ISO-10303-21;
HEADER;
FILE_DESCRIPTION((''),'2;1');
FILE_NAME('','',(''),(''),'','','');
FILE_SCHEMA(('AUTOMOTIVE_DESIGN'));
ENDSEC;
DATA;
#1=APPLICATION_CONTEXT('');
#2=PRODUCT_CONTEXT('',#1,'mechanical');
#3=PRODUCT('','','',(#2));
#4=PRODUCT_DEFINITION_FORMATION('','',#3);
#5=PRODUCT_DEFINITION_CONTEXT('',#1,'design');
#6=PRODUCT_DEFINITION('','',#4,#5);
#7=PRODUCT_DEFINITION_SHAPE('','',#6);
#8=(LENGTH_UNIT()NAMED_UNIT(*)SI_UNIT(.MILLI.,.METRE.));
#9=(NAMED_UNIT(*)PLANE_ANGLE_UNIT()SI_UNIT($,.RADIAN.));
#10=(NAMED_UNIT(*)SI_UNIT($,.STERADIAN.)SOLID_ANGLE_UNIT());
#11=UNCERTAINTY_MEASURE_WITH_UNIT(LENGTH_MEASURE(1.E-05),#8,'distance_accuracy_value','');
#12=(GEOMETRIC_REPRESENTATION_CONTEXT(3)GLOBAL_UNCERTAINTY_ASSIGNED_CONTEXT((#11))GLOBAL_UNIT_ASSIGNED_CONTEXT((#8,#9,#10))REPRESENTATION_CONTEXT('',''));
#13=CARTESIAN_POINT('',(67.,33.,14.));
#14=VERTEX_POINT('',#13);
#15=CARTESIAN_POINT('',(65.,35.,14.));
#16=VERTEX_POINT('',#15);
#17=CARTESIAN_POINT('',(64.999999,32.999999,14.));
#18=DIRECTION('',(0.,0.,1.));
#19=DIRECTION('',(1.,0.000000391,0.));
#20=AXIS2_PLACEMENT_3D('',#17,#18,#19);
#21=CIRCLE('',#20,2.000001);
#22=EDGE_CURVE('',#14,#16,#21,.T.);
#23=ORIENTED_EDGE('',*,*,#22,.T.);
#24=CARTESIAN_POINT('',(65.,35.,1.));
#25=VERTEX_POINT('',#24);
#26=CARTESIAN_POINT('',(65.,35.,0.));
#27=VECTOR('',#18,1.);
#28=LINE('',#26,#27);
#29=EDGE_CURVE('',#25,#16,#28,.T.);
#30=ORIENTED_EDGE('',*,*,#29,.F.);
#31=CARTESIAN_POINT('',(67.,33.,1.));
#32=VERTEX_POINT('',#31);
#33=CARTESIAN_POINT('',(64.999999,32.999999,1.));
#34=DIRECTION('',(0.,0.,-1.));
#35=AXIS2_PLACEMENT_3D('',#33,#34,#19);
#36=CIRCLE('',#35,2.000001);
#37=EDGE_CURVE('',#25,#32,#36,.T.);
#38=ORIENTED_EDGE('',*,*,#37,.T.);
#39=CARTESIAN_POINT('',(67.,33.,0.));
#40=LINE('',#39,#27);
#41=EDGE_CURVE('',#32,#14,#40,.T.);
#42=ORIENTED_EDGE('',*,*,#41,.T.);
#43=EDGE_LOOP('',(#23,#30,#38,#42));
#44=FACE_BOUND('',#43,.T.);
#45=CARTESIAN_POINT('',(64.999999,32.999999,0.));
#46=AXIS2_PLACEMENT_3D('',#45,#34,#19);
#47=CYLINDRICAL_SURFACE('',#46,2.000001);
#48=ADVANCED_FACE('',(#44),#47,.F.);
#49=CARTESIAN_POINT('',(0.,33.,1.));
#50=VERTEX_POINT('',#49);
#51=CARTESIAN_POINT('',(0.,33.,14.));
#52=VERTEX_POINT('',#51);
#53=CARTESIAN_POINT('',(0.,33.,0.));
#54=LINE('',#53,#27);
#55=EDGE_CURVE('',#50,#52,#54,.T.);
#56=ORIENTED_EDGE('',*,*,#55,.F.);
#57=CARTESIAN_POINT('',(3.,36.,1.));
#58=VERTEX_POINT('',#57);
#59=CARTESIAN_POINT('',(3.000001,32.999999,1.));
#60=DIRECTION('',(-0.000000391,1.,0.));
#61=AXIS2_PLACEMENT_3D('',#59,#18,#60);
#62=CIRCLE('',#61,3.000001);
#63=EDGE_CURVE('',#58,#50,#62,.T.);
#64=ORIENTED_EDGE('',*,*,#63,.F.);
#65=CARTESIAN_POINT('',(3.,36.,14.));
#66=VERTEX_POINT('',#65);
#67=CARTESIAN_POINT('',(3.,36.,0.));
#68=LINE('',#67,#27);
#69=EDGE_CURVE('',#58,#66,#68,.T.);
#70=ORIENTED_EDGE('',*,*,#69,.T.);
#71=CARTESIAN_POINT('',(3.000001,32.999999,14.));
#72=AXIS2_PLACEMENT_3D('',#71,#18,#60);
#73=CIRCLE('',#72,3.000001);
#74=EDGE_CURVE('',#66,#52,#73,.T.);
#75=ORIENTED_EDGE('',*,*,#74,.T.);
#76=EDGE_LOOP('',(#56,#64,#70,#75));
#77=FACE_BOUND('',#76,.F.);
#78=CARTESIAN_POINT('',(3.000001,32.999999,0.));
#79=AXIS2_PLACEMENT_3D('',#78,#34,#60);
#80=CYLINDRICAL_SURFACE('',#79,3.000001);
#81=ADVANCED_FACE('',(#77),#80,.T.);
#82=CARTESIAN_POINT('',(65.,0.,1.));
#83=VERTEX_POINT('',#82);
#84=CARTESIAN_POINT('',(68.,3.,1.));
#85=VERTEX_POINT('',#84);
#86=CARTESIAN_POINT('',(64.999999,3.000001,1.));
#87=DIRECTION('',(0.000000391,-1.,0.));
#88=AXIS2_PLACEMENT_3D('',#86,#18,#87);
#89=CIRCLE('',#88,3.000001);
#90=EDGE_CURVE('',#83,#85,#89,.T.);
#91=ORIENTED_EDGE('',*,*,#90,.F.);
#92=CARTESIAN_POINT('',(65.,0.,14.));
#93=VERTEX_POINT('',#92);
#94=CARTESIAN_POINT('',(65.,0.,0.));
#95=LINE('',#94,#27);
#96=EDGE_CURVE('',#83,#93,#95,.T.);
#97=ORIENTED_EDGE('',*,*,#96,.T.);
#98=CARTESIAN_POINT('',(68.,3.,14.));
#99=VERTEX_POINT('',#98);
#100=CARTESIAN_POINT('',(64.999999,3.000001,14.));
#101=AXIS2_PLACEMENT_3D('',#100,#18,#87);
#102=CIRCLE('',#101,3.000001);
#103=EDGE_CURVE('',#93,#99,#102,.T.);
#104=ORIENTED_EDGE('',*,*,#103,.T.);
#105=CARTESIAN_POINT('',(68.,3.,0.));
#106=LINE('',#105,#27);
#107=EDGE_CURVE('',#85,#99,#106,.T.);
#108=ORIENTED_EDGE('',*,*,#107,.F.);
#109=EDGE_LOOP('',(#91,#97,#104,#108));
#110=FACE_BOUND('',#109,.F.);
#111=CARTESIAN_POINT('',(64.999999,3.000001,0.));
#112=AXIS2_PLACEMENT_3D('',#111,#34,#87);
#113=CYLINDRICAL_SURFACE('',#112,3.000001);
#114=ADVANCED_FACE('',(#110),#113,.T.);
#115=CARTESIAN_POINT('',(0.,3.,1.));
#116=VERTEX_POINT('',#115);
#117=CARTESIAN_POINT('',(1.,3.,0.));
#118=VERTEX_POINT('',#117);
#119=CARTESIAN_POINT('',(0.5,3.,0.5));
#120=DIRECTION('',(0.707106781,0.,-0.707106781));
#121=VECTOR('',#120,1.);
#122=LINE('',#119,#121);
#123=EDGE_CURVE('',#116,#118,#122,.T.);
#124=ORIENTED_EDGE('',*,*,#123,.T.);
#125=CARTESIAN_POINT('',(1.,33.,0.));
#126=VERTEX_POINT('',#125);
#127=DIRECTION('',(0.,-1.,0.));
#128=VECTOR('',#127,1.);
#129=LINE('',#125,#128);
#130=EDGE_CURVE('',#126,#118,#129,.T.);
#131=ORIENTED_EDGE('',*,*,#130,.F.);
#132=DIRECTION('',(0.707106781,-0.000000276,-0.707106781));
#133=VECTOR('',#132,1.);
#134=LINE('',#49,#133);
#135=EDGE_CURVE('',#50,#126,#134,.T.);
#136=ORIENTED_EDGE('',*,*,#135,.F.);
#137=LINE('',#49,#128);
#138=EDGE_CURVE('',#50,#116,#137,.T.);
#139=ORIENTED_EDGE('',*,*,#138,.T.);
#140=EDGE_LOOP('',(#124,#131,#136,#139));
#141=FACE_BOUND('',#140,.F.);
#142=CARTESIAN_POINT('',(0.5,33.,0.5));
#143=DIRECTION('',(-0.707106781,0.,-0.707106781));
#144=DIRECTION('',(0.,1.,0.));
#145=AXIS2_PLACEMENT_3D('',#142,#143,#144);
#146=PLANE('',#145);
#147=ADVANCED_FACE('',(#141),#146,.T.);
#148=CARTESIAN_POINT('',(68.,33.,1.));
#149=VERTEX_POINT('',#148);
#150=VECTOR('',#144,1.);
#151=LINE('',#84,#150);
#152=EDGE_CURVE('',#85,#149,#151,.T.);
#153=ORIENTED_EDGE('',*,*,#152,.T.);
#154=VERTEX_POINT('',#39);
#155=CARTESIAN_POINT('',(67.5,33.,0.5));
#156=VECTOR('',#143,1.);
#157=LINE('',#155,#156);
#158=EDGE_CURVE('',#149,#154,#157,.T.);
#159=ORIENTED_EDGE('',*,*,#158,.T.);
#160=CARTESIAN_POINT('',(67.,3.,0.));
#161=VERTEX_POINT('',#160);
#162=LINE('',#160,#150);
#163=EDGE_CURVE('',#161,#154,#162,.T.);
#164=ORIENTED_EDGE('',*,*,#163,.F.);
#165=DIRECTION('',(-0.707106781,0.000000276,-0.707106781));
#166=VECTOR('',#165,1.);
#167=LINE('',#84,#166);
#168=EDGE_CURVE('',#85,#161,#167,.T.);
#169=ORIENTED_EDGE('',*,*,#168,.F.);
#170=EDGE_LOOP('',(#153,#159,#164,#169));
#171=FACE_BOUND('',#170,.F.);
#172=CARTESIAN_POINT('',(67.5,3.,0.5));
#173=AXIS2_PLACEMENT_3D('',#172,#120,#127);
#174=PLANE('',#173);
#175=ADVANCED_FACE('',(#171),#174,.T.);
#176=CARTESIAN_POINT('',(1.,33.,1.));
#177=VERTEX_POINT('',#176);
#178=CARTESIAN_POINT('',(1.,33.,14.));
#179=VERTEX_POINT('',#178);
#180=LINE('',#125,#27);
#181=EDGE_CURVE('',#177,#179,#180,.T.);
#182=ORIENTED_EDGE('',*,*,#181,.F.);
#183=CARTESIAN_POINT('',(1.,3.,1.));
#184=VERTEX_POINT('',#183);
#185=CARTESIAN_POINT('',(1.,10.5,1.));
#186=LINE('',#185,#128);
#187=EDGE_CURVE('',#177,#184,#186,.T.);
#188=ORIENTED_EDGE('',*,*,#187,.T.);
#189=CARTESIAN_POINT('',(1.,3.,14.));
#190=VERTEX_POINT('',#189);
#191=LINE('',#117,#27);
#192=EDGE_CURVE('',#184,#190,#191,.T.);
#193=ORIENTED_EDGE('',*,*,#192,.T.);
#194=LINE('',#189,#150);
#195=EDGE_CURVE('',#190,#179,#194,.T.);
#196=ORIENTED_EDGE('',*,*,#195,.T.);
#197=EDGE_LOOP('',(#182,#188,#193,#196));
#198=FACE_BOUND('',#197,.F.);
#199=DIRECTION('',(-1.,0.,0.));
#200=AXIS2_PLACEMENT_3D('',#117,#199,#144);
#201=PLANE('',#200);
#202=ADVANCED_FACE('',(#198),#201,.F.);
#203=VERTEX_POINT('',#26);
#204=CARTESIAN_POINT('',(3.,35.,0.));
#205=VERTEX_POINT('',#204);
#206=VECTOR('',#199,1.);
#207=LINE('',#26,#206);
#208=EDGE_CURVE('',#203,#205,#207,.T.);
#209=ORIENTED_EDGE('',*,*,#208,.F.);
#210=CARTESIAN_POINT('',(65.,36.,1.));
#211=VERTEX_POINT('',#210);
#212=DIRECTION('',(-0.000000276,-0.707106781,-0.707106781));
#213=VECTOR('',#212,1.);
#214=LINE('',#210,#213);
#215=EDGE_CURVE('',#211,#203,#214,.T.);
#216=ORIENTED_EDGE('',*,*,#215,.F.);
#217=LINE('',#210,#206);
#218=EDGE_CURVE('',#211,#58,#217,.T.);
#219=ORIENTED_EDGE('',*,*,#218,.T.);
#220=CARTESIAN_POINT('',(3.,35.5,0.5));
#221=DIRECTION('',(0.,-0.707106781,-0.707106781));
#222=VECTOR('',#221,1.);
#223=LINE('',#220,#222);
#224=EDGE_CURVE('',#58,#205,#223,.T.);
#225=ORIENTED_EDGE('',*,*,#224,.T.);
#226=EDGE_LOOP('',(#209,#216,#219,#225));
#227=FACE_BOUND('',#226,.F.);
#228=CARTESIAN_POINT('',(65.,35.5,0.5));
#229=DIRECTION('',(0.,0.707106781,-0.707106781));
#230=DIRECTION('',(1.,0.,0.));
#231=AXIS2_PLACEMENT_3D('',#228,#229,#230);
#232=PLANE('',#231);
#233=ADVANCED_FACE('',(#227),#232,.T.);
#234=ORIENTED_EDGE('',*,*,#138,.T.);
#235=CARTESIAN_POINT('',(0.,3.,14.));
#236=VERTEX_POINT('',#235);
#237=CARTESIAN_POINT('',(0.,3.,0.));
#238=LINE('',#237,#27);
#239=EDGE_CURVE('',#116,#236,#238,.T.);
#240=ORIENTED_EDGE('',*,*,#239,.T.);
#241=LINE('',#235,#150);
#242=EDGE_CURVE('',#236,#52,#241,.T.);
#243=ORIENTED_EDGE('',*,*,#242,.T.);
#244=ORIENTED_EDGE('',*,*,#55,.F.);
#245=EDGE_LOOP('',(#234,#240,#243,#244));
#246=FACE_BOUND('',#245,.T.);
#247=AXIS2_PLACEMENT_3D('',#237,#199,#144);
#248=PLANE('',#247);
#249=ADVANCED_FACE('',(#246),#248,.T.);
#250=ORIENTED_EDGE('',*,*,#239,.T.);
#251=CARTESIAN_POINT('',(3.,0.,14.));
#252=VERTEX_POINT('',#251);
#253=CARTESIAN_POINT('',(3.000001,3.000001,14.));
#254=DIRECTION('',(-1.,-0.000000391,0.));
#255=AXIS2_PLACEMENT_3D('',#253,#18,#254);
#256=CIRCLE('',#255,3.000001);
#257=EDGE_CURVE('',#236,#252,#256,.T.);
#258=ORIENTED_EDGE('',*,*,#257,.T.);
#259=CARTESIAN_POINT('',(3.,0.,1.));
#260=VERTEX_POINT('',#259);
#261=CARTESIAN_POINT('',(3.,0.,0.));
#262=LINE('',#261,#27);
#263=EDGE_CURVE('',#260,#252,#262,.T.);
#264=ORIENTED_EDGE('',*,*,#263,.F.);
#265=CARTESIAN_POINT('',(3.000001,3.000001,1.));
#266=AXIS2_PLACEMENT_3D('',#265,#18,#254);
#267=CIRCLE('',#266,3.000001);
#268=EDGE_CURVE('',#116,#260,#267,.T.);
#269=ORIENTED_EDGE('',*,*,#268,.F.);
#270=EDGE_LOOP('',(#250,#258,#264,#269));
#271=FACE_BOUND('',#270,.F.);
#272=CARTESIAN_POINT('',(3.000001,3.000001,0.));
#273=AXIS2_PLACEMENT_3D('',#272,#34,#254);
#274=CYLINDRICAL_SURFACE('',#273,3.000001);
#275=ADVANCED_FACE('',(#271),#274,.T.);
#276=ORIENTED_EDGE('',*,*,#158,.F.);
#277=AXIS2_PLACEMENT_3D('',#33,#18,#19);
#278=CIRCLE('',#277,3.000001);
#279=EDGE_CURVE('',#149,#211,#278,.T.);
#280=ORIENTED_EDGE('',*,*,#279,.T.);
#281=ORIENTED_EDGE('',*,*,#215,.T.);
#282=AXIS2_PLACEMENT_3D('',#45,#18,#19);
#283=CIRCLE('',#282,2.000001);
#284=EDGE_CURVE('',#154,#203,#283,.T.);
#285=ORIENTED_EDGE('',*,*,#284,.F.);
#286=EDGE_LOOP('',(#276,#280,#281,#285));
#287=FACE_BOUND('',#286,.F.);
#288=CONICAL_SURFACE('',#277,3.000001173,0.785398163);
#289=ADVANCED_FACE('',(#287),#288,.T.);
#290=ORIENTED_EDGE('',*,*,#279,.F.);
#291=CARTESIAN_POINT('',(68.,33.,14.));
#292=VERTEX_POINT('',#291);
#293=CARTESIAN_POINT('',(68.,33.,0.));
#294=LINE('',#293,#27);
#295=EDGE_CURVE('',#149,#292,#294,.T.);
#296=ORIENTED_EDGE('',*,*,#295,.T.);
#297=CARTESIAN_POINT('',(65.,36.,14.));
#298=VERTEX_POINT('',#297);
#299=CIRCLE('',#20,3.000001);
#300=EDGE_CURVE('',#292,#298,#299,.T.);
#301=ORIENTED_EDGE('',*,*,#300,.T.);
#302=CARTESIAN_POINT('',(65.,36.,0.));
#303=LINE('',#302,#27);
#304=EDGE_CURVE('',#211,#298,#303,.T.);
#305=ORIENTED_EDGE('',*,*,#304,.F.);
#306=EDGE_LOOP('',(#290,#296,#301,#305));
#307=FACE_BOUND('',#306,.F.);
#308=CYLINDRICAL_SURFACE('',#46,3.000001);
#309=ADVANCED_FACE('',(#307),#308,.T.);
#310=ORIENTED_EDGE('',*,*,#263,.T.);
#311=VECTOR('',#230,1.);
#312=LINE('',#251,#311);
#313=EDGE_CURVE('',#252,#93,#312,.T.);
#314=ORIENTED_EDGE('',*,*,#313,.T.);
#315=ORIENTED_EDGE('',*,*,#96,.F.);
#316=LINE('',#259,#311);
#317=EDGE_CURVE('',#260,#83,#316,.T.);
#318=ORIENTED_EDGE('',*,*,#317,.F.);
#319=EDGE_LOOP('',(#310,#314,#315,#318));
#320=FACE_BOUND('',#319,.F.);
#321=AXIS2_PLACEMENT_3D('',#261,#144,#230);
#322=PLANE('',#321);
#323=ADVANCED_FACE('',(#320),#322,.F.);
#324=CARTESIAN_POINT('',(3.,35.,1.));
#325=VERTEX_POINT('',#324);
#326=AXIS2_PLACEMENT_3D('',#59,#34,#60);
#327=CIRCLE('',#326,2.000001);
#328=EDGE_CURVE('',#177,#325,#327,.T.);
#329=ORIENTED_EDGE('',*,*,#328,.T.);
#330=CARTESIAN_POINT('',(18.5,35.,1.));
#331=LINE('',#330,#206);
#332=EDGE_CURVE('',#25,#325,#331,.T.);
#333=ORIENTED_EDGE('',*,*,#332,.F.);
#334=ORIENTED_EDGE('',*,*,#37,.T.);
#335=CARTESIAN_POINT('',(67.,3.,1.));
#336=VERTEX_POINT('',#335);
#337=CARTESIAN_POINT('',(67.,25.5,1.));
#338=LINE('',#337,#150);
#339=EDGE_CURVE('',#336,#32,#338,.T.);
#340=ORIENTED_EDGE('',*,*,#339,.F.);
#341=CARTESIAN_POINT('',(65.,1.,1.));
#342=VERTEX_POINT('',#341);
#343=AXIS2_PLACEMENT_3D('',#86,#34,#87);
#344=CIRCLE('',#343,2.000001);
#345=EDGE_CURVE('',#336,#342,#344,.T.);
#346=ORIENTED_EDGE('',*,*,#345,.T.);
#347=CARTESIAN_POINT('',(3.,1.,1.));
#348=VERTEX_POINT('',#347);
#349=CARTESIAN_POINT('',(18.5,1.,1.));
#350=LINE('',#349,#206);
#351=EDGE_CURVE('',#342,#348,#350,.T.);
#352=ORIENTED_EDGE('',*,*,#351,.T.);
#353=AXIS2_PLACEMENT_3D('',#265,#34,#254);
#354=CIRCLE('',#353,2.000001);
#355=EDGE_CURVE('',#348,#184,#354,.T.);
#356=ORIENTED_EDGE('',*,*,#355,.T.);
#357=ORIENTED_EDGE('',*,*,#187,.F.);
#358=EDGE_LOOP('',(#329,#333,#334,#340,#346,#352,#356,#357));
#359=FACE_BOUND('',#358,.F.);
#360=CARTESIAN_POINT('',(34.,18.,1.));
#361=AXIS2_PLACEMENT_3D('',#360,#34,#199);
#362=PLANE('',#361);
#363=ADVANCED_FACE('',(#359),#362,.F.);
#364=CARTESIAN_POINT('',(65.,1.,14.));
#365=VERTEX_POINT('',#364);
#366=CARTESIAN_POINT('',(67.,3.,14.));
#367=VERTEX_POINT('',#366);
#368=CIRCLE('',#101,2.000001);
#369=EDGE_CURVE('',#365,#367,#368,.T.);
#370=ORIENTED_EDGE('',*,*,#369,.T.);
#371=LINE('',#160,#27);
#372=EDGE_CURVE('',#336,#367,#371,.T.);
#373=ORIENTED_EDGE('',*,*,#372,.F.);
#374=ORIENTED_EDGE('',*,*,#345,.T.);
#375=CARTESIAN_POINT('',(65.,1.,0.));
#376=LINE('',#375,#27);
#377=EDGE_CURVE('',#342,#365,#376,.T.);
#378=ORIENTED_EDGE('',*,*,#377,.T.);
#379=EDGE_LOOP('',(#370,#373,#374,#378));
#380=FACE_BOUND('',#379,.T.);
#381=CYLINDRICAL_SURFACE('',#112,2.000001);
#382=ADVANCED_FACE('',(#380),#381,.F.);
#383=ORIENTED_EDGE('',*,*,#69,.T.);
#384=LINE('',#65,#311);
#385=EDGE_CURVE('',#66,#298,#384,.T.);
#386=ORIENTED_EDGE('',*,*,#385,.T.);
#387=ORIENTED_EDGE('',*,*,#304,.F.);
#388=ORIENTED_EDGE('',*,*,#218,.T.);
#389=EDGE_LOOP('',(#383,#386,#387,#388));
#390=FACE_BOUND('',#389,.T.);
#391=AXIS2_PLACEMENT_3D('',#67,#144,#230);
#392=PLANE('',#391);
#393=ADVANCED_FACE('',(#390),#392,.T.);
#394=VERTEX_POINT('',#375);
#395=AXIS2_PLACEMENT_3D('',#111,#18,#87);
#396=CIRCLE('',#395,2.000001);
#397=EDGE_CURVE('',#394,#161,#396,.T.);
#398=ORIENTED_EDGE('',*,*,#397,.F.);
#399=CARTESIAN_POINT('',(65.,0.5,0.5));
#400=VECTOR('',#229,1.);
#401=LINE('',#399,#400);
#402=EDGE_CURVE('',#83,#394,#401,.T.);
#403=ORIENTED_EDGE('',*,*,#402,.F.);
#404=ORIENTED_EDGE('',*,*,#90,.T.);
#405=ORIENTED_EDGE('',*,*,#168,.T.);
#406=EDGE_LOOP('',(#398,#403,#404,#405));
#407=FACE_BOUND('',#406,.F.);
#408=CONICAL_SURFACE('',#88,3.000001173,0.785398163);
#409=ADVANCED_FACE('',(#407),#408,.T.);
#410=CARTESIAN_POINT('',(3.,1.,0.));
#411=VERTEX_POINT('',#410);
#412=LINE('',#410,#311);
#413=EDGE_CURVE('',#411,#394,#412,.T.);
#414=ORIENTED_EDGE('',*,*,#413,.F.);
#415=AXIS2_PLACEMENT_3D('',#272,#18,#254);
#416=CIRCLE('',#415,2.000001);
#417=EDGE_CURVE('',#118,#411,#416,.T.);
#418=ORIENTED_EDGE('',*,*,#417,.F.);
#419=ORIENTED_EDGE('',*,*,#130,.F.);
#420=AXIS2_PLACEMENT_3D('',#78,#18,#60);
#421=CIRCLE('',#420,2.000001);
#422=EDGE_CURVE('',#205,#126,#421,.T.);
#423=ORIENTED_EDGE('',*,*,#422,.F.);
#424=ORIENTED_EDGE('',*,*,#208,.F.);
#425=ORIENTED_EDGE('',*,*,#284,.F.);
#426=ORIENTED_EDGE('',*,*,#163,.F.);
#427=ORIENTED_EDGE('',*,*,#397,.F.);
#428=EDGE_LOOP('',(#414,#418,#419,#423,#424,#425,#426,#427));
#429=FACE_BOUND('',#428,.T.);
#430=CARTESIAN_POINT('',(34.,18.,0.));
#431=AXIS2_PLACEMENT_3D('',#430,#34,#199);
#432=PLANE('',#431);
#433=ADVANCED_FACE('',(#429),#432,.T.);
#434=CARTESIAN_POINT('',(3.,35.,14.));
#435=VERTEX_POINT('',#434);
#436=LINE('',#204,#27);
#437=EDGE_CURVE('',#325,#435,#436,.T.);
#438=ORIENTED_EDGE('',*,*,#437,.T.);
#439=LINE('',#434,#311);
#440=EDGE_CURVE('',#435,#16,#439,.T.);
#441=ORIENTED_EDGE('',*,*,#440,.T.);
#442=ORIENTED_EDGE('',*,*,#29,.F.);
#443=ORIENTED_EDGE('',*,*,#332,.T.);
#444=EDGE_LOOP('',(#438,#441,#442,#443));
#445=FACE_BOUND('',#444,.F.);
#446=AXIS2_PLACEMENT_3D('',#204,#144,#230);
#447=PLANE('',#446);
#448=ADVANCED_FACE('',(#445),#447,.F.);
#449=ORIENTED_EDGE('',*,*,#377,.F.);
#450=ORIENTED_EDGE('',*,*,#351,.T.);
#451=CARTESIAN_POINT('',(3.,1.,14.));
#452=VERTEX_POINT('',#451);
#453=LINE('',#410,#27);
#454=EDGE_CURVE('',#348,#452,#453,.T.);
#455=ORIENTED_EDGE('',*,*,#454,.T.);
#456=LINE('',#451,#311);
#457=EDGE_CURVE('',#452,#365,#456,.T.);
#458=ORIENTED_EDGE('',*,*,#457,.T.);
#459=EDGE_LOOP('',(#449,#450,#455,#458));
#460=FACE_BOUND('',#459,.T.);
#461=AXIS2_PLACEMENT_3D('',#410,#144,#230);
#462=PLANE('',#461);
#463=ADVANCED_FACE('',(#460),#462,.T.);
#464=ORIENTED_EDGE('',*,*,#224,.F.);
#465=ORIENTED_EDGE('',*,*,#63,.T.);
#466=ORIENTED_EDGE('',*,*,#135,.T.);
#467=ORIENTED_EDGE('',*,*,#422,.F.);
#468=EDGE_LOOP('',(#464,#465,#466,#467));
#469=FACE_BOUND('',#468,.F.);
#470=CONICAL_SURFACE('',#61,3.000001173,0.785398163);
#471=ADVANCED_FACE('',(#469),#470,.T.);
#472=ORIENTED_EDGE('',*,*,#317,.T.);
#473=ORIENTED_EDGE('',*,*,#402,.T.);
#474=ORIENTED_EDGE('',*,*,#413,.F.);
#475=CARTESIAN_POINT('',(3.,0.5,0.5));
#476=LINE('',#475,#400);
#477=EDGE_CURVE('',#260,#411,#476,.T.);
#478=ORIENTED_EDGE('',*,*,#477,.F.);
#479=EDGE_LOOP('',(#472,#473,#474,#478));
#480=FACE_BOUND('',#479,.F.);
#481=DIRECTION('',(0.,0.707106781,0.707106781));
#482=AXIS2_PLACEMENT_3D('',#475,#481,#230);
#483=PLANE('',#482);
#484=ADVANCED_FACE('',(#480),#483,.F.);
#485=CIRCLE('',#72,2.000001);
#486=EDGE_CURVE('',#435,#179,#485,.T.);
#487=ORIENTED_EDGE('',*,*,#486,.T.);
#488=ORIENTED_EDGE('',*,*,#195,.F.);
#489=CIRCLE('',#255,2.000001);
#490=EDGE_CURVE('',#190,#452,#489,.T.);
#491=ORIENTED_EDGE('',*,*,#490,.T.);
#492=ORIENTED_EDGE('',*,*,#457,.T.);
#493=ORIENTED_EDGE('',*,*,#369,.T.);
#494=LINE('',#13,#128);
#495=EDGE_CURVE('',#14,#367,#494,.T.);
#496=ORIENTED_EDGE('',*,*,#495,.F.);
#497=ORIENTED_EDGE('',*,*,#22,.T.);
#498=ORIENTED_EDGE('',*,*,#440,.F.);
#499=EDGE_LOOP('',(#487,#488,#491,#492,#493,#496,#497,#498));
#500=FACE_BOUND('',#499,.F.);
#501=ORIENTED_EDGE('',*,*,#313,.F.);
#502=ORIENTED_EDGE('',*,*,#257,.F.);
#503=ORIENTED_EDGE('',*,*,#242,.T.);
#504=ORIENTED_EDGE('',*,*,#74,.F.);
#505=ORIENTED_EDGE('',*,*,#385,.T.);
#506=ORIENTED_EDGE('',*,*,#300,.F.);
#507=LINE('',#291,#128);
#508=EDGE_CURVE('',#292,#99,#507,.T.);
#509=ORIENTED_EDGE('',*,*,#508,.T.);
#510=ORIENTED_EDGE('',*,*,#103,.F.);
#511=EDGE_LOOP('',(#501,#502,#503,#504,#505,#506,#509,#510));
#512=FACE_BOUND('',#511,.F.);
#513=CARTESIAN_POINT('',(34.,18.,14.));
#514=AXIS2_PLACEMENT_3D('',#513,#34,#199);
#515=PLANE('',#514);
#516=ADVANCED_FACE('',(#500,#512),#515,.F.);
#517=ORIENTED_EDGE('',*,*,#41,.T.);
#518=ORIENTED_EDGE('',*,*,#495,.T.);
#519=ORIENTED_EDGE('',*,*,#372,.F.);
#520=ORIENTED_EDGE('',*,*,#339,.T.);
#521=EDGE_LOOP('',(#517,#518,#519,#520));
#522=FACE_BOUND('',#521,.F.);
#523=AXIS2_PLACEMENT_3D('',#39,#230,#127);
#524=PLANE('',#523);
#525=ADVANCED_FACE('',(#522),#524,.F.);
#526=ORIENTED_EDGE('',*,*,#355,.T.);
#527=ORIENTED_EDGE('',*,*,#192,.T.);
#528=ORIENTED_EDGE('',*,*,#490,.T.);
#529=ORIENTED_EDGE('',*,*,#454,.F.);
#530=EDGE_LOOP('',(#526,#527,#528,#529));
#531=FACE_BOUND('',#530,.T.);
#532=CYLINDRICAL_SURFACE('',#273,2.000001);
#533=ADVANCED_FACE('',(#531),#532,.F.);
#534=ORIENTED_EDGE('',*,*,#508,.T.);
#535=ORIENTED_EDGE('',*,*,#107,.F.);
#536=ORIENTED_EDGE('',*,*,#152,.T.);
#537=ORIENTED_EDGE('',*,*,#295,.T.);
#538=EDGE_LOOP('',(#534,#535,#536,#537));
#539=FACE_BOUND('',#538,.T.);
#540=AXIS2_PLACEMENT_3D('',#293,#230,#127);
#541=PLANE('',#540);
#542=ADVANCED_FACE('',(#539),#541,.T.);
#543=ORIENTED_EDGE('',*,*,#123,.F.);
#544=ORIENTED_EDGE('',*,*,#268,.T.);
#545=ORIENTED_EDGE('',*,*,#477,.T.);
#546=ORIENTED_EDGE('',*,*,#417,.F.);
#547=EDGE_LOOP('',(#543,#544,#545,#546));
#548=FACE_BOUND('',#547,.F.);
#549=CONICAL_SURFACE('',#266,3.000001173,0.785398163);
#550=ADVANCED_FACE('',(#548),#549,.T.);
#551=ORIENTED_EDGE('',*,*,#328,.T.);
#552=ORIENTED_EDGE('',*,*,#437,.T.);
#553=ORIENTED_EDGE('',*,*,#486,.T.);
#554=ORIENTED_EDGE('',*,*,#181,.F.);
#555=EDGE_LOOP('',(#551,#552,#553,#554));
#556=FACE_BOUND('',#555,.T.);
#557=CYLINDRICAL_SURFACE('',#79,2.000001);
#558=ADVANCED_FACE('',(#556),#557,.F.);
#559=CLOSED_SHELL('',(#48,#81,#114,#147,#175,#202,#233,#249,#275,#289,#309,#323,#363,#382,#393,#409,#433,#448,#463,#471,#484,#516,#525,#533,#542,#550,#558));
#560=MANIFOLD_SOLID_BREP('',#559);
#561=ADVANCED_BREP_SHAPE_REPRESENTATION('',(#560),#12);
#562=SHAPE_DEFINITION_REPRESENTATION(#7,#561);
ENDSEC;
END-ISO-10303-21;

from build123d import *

# Parameters (mm, degrees)
PAD_DEPTH    = 14
THICKNESS_T  = -1
CHAMFER_SIZE = 1


with BuildPart() as part:
    # Sketch → Pad (new body)
    with BuildSketch(Plane.XY):
        with BuildLine():
            Line((0, 3), (0, 33))
            ThreePointArc((3, 36), (0.87868, 35.12132), (0, 33))
            Line((3, 36), (65, 36))
            ThreePointArc((68, 33), (67.12132, 35.12132), (65, 36))
            Line((68, 33), (68, 3))
            ThreePointArc((65, 0), (67.12132, 0.87868), (68, 3))
            Line((3, 0), (65, 0))
            ThreePointArc((0, 3), (0.87868, 0.87868), (3, 0))
        make_face()
    extrude(amount=PAD_DEPTH)

    # Thickness
    thickness_openings = [part.faces().sort_by_distance(p)[0] for p in [
        (34, 18, 14),
    ]]
    offset(amount=THICKNESS_T, openings=thickness_openings)

    # Chamfer
    chamfer_edges = [part.edges().sort_by_distance(p)[0] for p in [
        (34, 0, 0),
    ]]
    chamfer(chamfer_edges, length=CHAMFER_SIZE)


solid = part.part
